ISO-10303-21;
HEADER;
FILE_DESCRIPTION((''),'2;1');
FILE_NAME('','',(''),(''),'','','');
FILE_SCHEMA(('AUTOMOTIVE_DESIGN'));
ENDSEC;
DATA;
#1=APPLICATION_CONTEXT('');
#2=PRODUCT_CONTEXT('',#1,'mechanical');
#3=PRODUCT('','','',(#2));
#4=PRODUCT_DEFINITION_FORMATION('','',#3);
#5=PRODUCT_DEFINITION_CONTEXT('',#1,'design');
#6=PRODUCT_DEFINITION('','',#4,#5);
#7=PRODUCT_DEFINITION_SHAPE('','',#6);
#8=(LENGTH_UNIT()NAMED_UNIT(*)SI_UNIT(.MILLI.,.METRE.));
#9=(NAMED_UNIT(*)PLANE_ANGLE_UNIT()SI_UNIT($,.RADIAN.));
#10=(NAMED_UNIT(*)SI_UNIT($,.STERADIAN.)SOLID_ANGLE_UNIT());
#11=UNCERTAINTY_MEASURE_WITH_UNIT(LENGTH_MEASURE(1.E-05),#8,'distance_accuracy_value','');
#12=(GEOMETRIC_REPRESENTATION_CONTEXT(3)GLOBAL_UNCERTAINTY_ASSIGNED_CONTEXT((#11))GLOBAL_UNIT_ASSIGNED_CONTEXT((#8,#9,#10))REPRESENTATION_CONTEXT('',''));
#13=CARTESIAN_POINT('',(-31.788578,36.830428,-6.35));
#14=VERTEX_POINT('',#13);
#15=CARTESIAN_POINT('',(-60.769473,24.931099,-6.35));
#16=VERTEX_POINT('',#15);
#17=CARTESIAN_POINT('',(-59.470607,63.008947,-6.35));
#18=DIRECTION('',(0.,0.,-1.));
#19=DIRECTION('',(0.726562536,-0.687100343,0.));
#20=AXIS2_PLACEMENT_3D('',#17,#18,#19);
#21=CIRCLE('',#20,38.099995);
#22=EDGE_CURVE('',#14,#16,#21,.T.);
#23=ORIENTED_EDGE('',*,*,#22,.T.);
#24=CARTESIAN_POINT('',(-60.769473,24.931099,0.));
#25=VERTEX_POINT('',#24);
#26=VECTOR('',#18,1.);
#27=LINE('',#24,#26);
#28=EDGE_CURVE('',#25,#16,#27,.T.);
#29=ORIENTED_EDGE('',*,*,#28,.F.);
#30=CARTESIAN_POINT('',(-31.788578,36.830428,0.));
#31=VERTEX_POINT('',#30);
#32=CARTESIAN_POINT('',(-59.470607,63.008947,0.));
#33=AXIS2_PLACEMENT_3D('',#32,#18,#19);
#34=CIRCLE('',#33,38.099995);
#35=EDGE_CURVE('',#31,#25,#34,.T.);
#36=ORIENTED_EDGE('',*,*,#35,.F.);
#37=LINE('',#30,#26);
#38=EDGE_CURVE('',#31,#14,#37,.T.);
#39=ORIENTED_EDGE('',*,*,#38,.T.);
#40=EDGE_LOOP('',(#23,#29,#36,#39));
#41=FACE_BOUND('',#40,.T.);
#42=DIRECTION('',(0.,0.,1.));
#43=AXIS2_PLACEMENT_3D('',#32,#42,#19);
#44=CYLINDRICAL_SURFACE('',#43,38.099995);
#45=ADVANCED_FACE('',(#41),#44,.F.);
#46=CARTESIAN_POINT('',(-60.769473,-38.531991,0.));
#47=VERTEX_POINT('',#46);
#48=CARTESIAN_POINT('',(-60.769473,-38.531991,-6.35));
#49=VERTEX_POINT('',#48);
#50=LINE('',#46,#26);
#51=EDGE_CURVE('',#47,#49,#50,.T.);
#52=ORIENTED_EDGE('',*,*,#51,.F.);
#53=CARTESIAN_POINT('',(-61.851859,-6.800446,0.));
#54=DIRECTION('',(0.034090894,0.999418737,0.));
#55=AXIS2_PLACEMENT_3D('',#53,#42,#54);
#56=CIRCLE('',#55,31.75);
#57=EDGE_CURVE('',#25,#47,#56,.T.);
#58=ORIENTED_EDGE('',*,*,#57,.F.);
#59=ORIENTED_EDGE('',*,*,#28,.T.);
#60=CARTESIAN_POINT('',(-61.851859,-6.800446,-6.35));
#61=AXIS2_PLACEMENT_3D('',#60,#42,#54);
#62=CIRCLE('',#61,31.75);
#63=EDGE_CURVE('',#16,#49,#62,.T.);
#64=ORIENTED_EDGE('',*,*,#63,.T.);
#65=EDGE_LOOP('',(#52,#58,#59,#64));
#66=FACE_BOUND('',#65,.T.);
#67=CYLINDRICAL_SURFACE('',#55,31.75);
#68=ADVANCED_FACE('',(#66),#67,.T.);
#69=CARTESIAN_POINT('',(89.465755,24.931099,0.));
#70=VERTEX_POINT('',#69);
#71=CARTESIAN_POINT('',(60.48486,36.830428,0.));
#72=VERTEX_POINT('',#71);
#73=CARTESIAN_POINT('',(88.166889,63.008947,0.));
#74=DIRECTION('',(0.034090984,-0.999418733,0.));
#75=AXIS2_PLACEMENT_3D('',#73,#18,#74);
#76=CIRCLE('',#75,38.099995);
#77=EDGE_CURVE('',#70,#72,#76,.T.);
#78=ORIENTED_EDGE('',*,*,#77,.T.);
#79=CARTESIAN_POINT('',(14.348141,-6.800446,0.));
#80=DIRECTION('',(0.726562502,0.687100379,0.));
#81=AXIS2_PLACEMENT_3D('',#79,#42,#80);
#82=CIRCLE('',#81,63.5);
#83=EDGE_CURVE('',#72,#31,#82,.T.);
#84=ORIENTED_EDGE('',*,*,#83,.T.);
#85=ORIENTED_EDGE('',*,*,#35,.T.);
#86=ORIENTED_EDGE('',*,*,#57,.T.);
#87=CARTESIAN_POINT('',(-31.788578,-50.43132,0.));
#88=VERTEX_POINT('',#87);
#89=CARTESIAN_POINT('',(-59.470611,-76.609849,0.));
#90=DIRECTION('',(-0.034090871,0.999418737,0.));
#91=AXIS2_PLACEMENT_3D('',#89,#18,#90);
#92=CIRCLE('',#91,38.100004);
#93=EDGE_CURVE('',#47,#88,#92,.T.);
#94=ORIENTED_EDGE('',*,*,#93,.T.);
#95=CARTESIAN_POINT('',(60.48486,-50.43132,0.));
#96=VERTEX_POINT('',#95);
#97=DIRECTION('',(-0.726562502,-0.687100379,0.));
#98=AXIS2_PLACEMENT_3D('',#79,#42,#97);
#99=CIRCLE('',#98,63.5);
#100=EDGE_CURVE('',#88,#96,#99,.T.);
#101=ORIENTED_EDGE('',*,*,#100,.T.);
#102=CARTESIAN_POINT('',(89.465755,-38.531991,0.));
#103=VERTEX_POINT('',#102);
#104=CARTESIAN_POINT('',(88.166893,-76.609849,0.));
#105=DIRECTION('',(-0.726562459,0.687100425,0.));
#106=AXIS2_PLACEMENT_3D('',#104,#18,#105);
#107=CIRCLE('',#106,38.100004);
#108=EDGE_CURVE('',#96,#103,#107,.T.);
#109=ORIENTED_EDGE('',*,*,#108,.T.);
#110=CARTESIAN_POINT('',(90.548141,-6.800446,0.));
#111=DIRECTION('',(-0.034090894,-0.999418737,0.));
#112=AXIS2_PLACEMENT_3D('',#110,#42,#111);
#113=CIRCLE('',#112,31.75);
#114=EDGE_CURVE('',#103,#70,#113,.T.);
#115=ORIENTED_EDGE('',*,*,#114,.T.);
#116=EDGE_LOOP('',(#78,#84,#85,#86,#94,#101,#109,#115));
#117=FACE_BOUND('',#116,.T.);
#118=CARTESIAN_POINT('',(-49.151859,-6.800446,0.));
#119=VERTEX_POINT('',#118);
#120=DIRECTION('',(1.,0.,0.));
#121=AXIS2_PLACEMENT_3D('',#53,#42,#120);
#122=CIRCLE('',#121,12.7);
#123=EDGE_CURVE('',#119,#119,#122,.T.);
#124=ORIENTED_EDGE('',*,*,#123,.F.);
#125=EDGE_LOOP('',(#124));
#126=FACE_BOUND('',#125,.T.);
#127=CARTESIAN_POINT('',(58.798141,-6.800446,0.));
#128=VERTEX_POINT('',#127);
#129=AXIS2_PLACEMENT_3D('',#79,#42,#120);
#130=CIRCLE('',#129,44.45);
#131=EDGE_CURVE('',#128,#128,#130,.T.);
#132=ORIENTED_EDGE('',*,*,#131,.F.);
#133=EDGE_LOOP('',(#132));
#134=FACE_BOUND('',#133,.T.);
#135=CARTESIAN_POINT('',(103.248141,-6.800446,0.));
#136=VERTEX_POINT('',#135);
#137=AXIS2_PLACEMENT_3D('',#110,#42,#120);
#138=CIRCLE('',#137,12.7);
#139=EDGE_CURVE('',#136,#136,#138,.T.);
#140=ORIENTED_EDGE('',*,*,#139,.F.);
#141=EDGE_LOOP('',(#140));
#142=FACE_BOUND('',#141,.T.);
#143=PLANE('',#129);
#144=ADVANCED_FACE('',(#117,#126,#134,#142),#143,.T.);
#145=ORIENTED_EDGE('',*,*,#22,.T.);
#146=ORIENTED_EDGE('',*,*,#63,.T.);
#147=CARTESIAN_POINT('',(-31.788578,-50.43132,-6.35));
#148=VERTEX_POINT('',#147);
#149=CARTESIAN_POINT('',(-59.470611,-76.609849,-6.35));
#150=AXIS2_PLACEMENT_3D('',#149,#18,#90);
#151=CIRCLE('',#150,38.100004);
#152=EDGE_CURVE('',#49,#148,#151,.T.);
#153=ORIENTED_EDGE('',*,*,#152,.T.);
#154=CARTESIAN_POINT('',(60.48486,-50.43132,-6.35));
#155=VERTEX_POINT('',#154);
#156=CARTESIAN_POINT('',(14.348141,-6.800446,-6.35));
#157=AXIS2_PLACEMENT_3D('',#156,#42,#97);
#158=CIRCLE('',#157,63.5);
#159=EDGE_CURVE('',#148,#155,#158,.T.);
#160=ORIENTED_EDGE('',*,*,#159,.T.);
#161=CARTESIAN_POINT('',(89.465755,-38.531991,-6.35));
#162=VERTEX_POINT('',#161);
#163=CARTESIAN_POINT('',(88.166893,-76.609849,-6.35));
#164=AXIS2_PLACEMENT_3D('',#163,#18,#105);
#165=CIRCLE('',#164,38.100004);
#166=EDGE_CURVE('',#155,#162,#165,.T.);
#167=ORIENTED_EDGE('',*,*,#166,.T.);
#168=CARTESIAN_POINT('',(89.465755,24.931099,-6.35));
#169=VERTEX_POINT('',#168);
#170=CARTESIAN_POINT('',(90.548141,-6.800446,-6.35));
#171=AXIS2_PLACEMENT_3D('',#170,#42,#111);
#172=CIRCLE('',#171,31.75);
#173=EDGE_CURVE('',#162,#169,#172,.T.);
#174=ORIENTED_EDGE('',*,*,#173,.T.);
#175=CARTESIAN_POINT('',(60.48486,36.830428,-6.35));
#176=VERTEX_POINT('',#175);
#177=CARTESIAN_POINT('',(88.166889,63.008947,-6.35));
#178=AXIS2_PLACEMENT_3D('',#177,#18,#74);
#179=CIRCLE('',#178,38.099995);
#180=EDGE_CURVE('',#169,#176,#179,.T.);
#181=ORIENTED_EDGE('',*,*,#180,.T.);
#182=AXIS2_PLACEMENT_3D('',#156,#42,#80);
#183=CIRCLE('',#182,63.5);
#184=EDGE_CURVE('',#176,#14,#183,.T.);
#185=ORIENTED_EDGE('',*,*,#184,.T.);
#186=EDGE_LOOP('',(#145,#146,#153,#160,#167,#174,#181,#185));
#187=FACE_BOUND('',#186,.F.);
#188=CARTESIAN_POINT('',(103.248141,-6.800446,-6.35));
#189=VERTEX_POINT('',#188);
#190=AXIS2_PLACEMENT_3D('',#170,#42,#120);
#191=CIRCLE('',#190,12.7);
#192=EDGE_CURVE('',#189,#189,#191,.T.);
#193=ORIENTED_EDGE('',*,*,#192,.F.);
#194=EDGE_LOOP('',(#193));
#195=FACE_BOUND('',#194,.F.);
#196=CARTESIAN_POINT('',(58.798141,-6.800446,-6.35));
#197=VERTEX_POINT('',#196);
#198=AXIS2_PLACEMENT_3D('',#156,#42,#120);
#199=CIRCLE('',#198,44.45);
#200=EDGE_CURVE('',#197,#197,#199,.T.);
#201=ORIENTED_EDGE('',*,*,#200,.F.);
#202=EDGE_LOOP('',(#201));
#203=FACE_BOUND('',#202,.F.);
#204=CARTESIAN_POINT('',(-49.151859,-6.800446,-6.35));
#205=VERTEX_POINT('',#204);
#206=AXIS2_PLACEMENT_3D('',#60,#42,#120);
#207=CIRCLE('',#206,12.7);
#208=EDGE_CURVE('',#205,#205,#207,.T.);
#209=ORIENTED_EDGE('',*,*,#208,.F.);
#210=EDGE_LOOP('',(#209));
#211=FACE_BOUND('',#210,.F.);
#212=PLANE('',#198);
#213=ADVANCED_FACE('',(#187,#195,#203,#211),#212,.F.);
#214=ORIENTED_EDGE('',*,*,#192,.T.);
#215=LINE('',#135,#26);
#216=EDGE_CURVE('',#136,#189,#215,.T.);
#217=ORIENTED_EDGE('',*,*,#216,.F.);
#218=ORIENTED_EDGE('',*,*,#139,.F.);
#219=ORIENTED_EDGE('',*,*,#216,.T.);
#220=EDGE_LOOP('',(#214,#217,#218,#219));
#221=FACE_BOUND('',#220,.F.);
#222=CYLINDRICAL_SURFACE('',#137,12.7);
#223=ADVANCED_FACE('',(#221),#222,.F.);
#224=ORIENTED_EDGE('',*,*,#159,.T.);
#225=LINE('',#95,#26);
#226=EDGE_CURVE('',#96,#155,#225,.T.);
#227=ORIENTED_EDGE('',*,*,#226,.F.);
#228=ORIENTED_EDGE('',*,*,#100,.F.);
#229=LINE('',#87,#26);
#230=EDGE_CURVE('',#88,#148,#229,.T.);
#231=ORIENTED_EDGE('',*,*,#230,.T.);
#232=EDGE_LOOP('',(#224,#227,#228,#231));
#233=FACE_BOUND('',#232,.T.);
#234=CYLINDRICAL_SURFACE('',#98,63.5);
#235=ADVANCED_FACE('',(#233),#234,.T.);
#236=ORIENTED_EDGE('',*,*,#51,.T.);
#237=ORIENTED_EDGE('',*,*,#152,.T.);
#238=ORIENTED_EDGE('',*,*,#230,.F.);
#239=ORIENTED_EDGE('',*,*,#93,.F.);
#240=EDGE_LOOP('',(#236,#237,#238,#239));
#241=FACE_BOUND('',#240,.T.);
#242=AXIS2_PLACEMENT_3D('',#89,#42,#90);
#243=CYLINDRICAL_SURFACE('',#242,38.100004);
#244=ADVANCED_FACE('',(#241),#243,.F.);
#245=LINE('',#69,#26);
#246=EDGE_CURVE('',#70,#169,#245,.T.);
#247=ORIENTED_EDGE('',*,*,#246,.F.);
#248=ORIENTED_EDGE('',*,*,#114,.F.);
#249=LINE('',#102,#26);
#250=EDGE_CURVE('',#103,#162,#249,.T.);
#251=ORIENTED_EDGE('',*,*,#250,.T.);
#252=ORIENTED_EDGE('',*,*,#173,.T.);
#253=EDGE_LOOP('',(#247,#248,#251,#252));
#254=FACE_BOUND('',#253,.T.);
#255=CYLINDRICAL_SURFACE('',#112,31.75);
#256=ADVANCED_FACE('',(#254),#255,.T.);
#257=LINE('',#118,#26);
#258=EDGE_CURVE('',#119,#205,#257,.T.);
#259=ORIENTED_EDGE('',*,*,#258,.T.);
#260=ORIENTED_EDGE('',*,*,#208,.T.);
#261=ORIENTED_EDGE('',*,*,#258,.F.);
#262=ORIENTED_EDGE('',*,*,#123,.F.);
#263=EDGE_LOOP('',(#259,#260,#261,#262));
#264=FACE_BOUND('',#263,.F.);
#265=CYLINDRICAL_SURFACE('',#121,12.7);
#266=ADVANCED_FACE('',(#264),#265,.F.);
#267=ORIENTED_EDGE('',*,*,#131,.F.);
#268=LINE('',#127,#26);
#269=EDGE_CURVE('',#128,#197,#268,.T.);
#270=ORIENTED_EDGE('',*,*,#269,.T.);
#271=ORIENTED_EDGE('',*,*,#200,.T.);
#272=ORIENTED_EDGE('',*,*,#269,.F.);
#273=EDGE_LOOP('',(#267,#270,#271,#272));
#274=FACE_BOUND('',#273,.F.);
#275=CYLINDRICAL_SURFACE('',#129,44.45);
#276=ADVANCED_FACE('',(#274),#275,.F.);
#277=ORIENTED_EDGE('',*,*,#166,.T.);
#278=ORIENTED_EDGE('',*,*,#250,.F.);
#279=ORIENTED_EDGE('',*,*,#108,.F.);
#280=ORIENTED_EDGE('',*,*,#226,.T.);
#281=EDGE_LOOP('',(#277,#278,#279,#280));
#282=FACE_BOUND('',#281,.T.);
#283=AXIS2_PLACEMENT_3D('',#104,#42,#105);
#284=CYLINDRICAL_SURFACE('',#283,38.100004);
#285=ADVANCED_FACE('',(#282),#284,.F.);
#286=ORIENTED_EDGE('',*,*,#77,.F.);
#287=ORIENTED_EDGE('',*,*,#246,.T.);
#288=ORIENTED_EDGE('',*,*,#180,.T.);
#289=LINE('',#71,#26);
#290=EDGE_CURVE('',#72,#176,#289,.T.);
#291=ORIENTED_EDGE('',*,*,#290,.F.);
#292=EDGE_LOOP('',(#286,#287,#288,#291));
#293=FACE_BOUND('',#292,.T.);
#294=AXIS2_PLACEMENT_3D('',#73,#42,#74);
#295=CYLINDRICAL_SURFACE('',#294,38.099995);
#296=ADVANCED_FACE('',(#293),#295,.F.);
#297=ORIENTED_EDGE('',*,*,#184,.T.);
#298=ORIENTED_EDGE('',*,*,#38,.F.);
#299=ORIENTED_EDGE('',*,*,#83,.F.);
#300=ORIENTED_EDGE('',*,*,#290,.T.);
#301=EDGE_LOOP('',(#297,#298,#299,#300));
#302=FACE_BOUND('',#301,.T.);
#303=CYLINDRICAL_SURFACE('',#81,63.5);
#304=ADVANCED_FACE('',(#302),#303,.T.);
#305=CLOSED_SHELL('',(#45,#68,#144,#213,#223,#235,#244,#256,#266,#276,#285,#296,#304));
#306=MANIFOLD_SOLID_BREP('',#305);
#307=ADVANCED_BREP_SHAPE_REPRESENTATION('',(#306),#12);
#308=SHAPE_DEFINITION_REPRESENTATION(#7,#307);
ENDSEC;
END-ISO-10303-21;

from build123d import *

# Parameters (mm, degrees)
F0_R     = 12.7
F0_R_2   = 44.45
F1_DEPTH = 6.35


with BuildPart() as f1:
    # F0 (on Top) → F1 (new body)
    with BuildSketch(Plane.XY):
        with BuildLine():
            ThreePointArc((89.465755, 24.931099), (73.695665, 27.764185), (60.48486, 36.830428))
            ThreePointArc((60.48486, 36.830428), (14.348141, 56.699554), (-31.788578, 36.830428))
            ThreePointArc((-31.788578, 36.830428), (-44.999383, 27.764185), (-60.769473, 24.931099))
            ThreePointArc((-60.769473, 24.931099), (-93.601859, -6.800446), (-60.769473, -38.531991))
            ThreePointArc((-60.769473, -38.531991), (-44.999383, -41.365078), (-31.788578, -50.43132))
            ThreePointArc((-31.788578, -50.43132), (14.348141, -70.300446), (60.48486, -50.43132))
            ThreePointArc((60.48486, -50.43132), (73.695665, -41.365078), (89.465755, -38.531991))
            ThreePointArc((89.465755, -38.531991), (122.298141, -6.800446), (89.465755, 24.931099))
        make_face()
        with Locations((-61.851859, -6.800446)):
            Circle(F0_R, mode=Mode.SUBTRACT)
        with Locations((90.548141, -6.800446)):
            Circle(F0_R, mode=Mode.SUBTRACT)
        with Locations((14.348141, -6.800446)):
            Circle(F0_R_2, mode=Mode.SUBTRACT)
    extrude(amount=-F1_DEPTH)


solid = f1.part
